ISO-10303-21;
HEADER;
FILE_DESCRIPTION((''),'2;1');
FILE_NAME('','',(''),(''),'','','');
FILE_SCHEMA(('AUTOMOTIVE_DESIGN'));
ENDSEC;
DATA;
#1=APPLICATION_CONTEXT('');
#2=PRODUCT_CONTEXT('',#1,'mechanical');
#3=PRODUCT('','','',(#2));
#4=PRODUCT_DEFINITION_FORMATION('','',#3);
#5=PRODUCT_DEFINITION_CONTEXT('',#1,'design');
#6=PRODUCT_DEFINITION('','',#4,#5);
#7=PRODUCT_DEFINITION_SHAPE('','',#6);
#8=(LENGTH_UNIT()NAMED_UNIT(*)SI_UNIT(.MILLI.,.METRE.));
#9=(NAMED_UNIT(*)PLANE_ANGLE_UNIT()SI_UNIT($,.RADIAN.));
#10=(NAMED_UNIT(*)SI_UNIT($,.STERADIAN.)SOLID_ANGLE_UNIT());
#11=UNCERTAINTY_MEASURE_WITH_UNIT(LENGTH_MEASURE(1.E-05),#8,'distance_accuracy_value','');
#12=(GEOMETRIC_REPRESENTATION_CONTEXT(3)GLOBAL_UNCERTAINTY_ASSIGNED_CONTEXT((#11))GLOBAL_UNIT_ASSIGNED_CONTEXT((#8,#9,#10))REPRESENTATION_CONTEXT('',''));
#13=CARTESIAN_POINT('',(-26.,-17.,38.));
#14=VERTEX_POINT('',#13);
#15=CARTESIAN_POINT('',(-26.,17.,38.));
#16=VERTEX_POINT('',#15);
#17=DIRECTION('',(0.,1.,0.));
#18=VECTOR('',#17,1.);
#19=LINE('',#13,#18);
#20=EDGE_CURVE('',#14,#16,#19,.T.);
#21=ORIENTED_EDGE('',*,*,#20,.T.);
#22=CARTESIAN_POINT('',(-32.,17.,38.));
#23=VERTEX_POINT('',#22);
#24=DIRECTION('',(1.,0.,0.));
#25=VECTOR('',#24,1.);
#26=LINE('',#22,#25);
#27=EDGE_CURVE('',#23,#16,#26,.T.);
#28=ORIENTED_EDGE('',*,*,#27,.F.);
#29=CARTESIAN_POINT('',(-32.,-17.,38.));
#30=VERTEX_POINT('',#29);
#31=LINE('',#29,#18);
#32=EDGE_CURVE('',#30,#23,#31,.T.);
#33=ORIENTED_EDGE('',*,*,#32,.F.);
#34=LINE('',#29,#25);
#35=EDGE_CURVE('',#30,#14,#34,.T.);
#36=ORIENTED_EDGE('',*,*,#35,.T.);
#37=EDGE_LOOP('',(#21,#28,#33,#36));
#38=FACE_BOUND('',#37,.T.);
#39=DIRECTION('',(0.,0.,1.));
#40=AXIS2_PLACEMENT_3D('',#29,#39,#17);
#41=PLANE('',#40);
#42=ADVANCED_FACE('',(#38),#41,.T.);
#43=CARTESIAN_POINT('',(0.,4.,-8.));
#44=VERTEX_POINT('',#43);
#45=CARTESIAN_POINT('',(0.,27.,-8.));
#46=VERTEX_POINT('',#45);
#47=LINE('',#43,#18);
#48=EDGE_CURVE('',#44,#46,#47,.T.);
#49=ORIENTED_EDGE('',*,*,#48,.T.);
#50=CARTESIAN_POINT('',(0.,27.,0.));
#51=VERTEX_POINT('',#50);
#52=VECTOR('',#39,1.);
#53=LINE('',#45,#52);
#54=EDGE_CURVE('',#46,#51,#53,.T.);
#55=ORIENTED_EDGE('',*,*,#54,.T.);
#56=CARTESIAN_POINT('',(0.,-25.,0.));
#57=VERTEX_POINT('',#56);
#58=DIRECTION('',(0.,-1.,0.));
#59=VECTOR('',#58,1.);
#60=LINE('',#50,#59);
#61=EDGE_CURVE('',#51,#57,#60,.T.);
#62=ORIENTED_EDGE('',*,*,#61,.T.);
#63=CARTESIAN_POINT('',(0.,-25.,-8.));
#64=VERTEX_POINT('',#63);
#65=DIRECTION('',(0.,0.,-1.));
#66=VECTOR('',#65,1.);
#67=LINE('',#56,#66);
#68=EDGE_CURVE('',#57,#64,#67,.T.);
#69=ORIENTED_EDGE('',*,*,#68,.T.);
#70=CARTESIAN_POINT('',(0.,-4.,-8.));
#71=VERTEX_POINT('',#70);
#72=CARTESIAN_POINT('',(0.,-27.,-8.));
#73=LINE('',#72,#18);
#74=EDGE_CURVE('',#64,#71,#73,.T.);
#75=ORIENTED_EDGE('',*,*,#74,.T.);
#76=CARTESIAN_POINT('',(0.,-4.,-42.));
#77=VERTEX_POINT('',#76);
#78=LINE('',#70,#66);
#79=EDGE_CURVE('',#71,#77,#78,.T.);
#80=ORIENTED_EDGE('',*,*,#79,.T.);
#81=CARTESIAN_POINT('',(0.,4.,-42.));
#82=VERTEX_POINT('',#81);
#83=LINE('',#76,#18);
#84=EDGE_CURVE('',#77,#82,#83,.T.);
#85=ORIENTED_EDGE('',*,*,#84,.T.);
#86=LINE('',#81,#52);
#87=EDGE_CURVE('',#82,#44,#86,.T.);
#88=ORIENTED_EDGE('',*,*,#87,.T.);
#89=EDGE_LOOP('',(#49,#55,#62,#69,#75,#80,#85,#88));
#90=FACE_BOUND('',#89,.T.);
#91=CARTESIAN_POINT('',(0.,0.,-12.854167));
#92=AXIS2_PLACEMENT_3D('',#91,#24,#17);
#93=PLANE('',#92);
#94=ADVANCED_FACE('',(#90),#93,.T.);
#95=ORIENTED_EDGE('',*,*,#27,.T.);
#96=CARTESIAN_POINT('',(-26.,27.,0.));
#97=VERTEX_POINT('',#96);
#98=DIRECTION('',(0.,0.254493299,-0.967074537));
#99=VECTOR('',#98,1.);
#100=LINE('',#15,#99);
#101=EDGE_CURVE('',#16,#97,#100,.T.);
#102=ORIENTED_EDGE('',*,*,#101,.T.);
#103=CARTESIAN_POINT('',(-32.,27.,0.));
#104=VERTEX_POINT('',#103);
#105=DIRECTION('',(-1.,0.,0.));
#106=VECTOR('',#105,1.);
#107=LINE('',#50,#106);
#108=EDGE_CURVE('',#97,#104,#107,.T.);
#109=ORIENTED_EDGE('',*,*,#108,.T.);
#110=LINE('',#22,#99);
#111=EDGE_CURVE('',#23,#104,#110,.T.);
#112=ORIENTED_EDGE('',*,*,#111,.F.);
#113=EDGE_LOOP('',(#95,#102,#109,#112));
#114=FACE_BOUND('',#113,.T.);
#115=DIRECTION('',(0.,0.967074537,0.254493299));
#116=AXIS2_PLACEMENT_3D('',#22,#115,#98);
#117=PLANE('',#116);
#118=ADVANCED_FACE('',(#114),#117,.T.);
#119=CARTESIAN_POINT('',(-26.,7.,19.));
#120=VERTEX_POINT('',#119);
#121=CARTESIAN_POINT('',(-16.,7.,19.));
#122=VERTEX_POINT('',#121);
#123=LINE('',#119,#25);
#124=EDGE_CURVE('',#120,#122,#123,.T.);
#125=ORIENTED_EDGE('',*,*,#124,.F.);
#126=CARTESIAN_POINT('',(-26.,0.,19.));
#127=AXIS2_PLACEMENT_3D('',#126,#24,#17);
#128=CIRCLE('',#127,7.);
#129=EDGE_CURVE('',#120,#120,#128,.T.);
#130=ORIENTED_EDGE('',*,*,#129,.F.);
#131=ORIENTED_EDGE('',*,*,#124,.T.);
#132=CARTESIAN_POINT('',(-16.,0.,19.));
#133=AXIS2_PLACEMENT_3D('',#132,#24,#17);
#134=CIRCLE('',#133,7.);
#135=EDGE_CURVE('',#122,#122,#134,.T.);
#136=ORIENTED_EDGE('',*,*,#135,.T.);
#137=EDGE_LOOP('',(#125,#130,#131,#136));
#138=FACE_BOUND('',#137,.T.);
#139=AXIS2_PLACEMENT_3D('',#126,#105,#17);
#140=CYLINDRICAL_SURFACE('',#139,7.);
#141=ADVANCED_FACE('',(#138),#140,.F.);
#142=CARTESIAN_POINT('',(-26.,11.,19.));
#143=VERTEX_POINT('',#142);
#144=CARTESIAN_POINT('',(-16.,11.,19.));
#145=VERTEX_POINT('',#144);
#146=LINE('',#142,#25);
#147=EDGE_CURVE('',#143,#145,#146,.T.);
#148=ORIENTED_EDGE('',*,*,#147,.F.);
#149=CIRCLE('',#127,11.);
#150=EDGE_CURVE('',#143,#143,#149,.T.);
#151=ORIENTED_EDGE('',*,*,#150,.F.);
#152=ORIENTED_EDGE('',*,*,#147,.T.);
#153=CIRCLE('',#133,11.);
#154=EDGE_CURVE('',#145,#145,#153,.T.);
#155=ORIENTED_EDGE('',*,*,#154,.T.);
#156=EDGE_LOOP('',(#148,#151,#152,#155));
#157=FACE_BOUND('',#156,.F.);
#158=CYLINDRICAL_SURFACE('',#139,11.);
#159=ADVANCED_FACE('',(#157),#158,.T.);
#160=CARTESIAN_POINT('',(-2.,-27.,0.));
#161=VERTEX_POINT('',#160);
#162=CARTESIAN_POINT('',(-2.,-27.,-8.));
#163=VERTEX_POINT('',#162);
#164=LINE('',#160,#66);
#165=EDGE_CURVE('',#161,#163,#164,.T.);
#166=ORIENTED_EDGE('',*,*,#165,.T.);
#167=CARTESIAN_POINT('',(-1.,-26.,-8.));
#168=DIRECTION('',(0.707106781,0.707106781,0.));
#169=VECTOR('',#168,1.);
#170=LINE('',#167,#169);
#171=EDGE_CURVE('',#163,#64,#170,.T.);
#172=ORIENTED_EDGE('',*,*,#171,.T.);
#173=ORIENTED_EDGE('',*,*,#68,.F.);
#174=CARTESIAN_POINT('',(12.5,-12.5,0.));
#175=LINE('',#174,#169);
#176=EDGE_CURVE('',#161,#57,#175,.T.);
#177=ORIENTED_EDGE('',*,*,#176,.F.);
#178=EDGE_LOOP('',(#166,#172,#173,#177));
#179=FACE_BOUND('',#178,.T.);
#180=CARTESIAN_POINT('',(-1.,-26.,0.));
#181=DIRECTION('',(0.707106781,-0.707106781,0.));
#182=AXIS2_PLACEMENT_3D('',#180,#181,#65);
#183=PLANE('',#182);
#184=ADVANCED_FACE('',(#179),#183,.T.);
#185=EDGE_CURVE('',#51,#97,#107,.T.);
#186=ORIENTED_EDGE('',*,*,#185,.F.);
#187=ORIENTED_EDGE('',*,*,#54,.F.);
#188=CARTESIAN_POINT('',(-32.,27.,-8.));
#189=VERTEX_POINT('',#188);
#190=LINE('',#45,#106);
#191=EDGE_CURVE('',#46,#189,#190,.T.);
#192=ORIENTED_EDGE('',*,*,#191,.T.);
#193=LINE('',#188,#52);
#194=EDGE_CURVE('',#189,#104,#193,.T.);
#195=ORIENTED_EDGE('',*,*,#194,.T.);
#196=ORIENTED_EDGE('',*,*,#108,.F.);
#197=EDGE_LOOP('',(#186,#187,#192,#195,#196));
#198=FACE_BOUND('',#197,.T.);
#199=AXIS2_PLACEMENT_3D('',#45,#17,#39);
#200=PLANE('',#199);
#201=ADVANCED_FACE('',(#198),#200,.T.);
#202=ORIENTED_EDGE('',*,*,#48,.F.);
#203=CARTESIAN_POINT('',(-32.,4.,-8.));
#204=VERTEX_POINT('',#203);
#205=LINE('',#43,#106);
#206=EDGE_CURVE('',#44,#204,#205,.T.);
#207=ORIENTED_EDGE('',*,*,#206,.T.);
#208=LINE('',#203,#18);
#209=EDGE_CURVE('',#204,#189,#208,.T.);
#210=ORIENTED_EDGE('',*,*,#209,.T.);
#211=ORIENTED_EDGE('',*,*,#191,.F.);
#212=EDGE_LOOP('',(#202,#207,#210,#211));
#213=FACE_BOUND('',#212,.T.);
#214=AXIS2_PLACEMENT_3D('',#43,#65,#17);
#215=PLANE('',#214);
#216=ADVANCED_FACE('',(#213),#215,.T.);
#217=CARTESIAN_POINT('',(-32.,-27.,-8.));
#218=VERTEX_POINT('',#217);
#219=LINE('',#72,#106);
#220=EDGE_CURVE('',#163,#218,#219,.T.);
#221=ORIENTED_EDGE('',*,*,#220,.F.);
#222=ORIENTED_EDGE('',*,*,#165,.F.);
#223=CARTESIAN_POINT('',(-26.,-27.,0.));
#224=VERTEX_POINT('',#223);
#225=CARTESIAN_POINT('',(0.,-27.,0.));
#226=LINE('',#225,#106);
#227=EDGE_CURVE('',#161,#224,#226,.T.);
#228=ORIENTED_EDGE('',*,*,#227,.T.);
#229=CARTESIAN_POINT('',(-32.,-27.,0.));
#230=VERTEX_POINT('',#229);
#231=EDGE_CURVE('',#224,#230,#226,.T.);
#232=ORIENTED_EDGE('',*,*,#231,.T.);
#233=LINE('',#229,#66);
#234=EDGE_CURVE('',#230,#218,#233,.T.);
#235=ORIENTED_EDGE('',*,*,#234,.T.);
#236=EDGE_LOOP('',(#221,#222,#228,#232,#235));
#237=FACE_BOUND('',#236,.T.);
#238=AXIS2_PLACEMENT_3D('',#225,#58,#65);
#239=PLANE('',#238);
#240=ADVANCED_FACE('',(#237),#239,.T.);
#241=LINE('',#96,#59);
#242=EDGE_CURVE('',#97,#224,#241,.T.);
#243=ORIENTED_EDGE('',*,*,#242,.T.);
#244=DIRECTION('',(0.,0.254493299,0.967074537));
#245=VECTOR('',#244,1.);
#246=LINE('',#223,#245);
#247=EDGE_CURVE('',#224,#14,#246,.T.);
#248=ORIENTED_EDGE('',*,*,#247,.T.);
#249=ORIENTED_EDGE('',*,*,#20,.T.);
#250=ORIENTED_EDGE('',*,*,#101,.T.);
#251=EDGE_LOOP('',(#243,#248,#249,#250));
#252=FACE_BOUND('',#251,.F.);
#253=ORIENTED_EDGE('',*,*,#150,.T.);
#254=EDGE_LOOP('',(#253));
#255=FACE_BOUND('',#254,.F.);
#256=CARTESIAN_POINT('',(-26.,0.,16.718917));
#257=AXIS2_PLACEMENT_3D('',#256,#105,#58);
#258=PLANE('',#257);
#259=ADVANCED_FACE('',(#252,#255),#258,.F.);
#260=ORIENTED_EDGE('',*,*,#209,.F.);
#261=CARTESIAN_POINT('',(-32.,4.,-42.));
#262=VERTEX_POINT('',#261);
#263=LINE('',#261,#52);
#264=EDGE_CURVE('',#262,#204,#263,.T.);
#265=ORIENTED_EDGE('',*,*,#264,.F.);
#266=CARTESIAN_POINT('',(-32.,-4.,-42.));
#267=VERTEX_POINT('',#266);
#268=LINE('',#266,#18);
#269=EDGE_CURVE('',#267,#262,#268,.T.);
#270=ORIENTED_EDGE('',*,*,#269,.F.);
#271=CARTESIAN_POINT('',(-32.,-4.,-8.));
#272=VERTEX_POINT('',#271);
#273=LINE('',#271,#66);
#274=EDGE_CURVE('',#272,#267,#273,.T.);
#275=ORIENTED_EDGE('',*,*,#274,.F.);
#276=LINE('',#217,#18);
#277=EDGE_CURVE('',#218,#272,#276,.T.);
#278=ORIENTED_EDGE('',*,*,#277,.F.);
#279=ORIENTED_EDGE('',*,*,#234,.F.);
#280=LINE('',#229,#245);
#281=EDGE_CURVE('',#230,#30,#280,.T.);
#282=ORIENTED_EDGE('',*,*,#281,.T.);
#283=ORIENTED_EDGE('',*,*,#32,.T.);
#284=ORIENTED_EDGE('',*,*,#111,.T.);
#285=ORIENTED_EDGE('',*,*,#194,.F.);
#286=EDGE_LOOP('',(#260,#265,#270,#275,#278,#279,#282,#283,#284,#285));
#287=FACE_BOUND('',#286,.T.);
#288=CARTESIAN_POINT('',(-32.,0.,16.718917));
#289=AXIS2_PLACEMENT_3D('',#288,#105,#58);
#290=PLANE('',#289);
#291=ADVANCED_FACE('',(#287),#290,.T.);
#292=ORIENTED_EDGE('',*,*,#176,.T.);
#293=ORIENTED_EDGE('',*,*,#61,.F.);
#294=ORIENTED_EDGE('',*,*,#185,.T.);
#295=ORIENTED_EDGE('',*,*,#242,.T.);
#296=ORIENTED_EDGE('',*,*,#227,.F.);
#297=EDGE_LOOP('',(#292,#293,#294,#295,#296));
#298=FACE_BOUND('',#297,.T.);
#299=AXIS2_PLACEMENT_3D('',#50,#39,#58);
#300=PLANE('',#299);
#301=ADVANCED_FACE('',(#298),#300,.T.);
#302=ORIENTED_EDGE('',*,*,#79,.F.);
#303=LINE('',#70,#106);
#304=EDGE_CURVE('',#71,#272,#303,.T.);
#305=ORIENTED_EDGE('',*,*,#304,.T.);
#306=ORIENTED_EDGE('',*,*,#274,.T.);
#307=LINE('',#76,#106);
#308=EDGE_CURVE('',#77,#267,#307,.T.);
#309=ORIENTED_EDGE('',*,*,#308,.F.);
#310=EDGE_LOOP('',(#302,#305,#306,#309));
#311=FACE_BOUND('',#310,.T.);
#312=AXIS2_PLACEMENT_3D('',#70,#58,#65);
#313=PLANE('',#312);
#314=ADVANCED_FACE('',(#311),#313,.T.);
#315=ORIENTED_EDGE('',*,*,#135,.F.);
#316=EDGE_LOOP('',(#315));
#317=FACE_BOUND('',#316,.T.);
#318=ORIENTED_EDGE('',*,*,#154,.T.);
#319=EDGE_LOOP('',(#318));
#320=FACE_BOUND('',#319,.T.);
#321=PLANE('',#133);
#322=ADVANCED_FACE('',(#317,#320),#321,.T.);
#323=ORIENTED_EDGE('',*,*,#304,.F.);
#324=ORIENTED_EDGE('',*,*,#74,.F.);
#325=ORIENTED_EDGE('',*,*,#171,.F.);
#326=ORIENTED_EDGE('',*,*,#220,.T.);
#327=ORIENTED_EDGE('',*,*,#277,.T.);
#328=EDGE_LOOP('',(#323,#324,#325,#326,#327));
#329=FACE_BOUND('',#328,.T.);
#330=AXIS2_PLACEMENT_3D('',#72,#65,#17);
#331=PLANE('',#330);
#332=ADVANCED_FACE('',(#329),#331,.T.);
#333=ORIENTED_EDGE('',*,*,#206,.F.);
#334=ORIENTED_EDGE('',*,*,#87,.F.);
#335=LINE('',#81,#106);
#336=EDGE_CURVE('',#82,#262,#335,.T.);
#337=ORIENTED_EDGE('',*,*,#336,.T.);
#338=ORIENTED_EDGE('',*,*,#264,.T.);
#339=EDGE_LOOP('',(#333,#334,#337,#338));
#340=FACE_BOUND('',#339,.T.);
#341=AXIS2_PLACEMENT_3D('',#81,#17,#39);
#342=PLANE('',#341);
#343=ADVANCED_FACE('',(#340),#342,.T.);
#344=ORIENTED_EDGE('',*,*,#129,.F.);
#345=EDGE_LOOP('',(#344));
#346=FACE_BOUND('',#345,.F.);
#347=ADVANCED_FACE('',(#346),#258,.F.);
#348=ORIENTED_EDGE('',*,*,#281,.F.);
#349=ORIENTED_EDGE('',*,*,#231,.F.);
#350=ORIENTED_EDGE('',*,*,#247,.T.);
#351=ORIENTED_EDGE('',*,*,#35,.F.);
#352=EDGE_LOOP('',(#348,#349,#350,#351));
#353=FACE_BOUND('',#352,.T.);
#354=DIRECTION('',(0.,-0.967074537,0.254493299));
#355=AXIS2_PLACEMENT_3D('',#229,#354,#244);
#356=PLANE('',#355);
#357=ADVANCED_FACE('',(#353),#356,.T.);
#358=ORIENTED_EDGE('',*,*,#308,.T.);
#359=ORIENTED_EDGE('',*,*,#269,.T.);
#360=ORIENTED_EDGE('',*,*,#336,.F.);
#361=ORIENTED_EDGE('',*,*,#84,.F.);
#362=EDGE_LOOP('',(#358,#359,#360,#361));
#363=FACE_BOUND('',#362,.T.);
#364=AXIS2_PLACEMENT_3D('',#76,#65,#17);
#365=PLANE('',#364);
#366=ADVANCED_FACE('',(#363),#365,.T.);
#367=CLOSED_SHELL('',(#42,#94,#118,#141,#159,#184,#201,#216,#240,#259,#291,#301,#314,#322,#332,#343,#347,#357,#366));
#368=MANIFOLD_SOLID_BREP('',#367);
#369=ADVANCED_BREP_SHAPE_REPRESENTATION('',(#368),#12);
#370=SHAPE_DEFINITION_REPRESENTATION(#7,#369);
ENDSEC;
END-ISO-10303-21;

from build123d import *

# Parameters (mm, degrees)
F1_DEPTH = 32
F3_DEPTH = 6
F4_R     = 11
F4_R_2   = 7
F5_DEPTH = 10
F6_SIZE  = 2


with BuildPart() as f1:
    # F0 (on Right) → F1 (new body)
    with BuildSketch(Plane.YZ):
        Polygon((27, 0), (-27, 0), (-27, -8), (-4, -8), (-4, -42), (4, -42), (4, -8), (27, -8), align=None)
    extrude(amount=-F1_DEPTH)

    # F2 (on face) → F3 (join)
    with BuildSketch(Plane(origin=(-32, 0, 0), x_dir=(0, -1, 0), z_dir=(-1, 0, 0))):
        Polygon((-27, 0), (27, 0), (17, 38), (-17, 38), align=None)
    extrude(amount=-F3_DEPTH)

    # F4 (on face) → F5 (join)
    with BuildSketch(Plane.YZ.offset(-26)):
        with Locations((0, 19)):
            Circle(F4_R)
        with Locations((0, 19)):
            Circle(F4_R_2, mode=Mode.SUBTRACT)
    extrude(amount=F5_DEPTH)

    # F6
    f6_edges = [f1.edges().sort_by_distance(p)[0] for p in [
        (0, -27, -4),
    ]]
    chamfer(f6_edges, length=F6_SIZE)


solid = f1.part
